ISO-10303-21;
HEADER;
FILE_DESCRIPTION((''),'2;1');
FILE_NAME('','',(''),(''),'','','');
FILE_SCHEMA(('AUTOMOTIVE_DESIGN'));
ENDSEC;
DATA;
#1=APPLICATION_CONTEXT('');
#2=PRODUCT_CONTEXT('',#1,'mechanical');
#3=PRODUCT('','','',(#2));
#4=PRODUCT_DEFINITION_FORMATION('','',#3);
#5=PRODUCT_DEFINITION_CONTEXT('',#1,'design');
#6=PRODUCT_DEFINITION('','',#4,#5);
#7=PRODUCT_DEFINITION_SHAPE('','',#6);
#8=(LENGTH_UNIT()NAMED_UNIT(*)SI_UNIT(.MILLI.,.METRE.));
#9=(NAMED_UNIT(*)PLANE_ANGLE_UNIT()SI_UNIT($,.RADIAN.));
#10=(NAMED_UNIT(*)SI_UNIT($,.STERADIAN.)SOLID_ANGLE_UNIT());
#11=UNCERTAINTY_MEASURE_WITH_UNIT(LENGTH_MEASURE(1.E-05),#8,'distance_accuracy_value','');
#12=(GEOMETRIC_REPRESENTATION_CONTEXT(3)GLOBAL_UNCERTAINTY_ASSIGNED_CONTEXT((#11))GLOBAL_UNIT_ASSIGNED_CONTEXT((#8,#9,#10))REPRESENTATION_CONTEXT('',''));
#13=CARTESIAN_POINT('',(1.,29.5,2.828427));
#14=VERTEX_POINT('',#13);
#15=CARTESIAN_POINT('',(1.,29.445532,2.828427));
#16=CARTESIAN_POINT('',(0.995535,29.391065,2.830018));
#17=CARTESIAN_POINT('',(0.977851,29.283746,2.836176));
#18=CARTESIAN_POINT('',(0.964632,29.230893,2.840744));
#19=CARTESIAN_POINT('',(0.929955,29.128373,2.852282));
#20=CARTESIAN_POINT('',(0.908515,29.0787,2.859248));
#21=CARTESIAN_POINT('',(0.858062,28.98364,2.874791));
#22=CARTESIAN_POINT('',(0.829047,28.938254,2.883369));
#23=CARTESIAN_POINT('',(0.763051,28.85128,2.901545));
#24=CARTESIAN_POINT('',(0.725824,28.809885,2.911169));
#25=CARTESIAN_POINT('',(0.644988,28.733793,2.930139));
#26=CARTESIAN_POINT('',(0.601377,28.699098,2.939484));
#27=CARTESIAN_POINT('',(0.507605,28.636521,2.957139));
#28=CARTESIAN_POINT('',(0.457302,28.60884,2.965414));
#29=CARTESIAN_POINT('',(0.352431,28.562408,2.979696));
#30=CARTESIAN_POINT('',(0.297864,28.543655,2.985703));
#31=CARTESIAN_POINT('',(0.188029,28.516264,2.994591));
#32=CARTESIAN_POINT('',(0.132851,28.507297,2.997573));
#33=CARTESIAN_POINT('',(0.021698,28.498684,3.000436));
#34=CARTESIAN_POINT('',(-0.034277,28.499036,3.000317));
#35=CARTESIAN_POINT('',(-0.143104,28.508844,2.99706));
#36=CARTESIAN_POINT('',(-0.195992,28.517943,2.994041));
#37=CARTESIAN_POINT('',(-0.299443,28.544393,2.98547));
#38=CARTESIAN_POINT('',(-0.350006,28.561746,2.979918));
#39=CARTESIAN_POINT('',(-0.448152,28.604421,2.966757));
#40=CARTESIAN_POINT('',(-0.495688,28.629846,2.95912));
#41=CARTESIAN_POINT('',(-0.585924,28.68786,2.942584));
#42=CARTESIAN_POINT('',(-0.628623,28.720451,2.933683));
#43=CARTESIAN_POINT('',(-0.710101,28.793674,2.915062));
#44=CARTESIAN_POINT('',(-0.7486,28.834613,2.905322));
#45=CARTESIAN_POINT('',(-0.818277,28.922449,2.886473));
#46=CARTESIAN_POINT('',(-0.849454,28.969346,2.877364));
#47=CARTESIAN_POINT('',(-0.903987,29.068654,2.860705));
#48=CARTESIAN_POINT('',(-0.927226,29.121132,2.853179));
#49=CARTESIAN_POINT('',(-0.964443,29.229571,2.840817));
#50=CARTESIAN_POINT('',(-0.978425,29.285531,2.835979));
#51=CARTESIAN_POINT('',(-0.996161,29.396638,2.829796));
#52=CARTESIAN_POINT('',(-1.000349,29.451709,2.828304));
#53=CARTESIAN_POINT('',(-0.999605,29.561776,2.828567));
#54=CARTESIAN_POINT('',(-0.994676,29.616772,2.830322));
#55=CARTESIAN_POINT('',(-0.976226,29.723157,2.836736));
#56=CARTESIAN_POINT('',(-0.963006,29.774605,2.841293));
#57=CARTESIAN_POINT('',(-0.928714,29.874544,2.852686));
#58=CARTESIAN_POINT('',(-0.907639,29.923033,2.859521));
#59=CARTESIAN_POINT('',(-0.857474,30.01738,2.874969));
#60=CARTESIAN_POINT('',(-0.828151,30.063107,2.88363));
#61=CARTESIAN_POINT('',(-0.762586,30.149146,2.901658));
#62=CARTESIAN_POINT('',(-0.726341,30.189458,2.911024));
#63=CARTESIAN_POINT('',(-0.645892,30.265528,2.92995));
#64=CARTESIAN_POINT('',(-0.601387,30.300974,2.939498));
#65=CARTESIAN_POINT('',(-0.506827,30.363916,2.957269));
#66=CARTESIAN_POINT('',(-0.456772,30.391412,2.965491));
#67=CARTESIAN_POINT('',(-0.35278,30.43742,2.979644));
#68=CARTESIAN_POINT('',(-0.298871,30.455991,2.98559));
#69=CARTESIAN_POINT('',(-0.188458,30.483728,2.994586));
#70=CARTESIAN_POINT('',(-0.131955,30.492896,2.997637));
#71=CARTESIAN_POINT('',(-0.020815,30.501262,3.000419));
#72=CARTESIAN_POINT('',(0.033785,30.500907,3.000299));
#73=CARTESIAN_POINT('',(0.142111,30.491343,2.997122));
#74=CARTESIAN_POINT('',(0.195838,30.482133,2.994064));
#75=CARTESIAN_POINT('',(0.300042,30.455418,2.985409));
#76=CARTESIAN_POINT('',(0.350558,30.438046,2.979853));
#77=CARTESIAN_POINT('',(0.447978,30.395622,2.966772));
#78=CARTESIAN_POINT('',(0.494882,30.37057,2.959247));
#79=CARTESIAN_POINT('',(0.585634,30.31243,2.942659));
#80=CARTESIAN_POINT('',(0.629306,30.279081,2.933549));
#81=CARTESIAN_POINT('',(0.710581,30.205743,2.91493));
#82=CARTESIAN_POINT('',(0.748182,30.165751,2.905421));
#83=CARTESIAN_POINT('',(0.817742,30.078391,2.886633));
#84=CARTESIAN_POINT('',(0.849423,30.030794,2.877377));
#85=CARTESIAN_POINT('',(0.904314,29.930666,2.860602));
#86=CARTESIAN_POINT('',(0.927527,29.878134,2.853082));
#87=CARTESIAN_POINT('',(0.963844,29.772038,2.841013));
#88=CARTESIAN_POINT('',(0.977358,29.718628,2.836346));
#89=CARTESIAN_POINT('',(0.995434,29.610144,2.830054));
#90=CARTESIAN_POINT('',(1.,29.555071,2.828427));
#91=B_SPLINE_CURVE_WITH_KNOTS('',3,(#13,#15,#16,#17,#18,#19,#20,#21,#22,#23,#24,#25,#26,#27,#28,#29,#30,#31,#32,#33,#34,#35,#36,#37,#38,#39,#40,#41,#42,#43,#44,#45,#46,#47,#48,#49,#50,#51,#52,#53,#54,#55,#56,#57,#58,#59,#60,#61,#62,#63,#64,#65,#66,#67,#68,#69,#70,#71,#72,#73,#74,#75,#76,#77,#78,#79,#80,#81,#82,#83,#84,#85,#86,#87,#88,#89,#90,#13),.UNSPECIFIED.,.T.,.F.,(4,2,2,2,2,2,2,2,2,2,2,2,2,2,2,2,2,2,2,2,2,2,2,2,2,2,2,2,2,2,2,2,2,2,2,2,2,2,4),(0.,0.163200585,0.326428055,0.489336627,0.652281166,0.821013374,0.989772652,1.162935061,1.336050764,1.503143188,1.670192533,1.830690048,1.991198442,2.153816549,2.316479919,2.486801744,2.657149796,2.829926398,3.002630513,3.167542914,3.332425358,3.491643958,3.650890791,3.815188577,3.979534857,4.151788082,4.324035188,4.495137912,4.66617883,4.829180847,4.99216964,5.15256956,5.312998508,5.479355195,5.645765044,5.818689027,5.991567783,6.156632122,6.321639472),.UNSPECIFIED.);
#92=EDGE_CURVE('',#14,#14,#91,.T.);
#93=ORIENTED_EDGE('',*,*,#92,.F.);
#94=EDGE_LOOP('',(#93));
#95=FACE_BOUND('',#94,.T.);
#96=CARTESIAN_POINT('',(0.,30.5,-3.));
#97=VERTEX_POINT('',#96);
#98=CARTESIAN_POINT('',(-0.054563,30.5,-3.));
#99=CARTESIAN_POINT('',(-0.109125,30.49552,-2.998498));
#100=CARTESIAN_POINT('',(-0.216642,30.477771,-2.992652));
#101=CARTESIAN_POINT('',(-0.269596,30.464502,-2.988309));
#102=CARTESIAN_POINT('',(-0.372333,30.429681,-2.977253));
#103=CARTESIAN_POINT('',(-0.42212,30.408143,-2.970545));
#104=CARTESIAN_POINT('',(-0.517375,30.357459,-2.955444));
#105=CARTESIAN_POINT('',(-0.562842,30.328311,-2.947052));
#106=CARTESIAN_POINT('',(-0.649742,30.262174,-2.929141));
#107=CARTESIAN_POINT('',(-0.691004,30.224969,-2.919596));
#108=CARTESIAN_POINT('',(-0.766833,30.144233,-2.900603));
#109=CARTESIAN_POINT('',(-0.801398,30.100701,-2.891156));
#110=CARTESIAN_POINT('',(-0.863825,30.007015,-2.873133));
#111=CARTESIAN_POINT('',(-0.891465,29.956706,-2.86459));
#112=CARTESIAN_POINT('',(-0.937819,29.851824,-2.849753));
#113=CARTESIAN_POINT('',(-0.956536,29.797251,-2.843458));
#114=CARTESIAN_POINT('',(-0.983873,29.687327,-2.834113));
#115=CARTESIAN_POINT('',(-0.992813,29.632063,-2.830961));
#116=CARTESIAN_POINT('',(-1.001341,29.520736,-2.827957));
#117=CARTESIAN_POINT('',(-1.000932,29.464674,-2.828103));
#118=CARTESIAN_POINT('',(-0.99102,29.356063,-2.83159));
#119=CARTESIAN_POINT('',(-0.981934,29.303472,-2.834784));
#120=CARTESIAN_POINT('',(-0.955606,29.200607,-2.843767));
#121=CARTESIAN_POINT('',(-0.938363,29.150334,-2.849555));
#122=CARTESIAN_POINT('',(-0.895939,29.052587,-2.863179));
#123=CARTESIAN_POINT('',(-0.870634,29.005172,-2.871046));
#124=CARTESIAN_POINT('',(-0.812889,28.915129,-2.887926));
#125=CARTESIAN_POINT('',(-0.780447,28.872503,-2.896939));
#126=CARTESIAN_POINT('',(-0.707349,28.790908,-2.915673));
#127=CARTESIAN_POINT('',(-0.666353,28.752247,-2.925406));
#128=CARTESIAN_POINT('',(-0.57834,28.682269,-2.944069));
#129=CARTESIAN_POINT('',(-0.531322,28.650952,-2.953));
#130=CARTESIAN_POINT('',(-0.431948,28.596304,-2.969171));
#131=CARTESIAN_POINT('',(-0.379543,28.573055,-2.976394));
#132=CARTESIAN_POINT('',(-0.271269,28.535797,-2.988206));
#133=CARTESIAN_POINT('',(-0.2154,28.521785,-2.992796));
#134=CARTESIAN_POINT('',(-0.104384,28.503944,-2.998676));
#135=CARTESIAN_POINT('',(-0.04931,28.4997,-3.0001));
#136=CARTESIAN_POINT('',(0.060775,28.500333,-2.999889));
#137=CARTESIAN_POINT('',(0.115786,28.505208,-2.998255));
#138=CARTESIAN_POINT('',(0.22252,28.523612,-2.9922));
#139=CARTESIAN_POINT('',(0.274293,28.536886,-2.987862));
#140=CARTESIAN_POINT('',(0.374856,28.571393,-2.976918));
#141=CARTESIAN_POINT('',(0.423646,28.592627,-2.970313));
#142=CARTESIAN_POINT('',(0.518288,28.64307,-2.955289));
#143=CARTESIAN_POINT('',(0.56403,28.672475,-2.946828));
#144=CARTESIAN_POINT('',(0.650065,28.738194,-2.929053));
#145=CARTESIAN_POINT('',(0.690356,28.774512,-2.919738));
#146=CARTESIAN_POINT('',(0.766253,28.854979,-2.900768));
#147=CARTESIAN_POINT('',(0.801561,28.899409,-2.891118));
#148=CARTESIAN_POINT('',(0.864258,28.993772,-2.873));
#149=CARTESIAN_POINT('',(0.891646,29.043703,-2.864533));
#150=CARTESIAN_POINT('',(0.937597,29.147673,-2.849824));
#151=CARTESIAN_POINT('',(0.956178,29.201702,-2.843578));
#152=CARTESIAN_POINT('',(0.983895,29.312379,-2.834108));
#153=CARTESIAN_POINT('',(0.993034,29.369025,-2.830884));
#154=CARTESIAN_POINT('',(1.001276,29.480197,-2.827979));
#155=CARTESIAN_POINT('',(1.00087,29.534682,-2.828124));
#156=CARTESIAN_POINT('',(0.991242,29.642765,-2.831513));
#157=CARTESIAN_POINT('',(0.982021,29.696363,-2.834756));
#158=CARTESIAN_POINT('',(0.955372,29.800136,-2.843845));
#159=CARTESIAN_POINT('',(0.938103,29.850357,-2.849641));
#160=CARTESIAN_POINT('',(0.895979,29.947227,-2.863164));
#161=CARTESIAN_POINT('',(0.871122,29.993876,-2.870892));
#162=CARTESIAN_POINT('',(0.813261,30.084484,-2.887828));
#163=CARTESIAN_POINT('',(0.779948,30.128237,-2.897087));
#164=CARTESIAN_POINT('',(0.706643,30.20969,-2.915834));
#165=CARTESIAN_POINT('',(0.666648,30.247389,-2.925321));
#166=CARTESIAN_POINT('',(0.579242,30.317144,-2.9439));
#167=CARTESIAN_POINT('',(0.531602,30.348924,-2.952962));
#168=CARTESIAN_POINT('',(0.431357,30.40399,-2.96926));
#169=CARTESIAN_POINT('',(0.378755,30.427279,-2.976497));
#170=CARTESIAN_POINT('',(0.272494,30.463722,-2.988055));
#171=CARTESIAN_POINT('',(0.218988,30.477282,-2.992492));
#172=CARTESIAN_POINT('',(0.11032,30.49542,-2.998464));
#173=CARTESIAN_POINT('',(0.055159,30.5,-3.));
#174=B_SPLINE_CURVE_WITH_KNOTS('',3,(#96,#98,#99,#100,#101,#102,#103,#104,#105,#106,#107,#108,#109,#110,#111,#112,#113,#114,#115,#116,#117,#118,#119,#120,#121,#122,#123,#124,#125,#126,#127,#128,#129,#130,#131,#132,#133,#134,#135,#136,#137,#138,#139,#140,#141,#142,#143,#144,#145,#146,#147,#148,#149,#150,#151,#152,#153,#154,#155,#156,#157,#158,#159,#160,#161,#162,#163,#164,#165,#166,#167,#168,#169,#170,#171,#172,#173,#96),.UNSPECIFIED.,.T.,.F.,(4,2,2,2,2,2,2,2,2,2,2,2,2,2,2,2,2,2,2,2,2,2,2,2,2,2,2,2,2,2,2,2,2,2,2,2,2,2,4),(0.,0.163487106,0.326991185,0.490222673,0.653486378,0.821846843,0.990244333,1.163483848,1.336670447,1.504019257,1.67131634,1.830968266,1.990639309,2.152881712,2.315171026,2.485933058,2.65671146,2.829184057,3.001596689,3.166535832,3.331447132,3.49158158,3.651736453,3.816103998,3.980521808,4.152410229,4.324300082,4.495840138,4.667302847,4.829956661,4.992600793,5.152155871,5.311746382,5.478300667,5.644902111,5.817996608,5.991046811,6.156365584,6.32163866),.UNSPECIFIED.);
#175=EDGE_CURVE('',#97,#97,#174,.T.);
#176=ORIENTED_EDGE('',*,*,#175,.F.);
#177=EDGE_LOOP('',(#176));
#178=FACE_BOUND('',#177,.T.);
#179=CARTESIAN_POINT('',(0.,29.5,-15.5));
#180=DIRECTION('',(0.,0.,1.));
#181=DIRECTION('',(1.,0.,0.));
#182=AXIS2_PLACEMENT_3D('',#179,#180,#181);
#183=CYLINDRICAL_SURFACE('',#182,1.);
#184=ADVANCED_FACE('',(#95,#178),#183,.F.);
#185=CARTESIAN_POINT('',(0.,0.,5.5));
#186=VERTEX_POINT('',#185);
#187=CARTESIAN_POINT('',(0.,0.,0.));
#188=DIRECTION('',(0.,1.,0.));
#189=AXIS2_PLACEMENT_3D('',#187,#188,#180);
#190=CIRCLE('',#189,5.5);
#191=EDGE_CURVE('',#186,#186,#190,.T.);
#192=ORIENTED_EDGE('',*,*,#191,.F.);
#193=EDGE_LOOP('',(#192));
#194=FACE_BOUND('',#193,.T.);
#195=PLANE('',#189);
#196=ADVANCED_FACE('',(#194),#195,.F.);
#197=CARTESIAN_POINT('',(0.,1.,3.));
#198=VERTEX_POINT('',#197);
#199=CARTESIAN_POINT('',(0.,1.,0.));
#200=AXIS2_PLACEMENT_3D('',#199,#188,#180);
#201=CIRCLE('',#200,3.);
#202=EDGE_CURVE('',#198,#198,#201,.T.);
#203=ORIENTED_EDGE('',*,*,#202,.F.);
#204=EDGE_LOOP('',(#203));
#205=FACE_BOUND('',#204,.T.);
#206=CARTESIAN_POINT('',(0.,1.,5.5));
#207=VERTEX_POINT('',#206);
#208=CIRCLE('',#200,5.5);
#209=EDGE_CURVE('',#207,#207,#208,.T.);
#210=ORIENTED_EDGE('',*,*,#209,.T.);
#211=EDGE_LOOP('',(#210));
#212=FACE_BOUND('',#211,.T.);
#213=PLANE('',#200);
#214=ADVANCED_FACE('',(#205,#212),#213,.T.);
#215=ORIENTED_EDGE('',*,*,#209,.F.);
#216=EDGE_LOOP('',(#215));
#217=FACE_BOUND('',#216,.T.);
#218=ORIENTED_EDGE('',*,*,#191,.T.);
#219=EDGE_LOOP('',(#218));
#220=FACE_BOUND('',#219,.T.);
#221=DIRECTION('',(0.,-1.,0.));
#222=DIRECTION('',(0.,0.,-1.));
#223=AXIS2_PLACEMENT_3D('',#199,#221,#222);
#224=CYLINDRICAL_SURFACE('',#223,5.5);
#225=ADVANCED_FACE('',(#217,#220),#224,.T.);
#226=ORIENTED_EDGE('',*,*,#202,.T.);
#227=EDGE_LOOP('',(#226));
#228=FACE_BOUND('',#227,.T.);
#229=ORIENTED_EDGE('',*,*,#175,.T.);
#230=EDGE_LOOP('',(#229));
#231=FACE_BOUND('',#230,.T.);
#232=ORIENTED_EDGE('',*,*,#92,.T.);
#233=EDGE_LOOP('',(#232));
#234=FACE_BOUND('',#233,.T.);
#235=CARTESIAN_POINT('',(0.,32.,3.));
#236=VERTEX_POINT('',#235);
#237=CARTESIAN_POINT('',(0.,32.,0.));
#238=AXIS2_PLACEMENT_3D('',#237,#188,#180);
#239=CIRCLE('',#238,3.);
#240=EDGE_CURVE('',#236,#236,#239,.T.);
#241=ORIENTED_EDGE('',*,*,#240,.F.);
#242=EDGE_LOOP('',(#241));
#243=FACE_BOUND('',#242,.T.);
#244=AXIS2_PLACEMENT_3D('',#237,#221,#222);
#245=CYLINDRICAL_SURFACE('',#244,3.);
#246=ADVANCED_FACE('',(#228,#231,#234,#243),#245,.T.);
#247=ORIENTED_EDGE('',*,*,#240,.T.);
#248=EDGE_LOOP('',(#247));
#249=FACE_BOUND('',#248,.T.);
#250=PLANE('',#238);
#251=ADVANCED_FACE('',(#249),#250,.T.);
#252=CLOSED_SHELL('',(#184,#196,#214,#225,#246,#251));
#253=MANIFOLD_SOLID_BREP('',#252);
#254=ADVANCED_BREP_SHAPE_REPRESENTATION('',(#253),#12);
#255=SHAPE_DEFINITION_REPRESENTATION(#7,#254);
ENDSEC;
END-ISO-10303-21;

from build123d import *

# Parameters (mm, degrees)
SKETCH1_R           = 5.5
BOSS_EXTRUDE1_DEPTH = 1
SKETCH2_R           = 3
BOSS_EXTRUDE2_DEPTH = 31
SKETCH3_R           = 1
CUT_EXTRUDE1_DEPTH  = 15.5


with BuildPart() as part:
    # Sketch1 → Boss-Extrude1 (new body)
    with BuildSketch(Plane(origin=(0, 0, 0), x_dir=(1, 0, 0), z_dir=(0, 1, 0))):
        with Locations(Location((0, 0, 0), (0, 0, 270))):
            Circle(SKETCH1_R)
    extrude(amount=BOSS_EXTRUDE1_DEPTH)

    # Sketch2 → Boss-Extrude2 (add)
    with BuildSketch(Plane(origin=(0, 1, 0), x_dir=(1, 0, 0), z_dir=(0, 1, 0))):
        with Locations(Location((0, 0, 0), (0, 0, 270))):
            Circle(SKETCH2_R)
    extrude(amount=BOSS_EXTRUDE2_DEPTH)

    # Sketch3 → Cut-Extrude1 (cut, symmetric)
    with BuildSketch(Plane.XY):
        with Locations(Location((0, 29.5, 0), (0, 0, 89.999999987))):
            Circle(SKETCH3_R)
    extrude(amount=CUT_EXTRUDE1_DEPTH, both=True, mode=Mode.SUBTRACT)


solid = part.part
